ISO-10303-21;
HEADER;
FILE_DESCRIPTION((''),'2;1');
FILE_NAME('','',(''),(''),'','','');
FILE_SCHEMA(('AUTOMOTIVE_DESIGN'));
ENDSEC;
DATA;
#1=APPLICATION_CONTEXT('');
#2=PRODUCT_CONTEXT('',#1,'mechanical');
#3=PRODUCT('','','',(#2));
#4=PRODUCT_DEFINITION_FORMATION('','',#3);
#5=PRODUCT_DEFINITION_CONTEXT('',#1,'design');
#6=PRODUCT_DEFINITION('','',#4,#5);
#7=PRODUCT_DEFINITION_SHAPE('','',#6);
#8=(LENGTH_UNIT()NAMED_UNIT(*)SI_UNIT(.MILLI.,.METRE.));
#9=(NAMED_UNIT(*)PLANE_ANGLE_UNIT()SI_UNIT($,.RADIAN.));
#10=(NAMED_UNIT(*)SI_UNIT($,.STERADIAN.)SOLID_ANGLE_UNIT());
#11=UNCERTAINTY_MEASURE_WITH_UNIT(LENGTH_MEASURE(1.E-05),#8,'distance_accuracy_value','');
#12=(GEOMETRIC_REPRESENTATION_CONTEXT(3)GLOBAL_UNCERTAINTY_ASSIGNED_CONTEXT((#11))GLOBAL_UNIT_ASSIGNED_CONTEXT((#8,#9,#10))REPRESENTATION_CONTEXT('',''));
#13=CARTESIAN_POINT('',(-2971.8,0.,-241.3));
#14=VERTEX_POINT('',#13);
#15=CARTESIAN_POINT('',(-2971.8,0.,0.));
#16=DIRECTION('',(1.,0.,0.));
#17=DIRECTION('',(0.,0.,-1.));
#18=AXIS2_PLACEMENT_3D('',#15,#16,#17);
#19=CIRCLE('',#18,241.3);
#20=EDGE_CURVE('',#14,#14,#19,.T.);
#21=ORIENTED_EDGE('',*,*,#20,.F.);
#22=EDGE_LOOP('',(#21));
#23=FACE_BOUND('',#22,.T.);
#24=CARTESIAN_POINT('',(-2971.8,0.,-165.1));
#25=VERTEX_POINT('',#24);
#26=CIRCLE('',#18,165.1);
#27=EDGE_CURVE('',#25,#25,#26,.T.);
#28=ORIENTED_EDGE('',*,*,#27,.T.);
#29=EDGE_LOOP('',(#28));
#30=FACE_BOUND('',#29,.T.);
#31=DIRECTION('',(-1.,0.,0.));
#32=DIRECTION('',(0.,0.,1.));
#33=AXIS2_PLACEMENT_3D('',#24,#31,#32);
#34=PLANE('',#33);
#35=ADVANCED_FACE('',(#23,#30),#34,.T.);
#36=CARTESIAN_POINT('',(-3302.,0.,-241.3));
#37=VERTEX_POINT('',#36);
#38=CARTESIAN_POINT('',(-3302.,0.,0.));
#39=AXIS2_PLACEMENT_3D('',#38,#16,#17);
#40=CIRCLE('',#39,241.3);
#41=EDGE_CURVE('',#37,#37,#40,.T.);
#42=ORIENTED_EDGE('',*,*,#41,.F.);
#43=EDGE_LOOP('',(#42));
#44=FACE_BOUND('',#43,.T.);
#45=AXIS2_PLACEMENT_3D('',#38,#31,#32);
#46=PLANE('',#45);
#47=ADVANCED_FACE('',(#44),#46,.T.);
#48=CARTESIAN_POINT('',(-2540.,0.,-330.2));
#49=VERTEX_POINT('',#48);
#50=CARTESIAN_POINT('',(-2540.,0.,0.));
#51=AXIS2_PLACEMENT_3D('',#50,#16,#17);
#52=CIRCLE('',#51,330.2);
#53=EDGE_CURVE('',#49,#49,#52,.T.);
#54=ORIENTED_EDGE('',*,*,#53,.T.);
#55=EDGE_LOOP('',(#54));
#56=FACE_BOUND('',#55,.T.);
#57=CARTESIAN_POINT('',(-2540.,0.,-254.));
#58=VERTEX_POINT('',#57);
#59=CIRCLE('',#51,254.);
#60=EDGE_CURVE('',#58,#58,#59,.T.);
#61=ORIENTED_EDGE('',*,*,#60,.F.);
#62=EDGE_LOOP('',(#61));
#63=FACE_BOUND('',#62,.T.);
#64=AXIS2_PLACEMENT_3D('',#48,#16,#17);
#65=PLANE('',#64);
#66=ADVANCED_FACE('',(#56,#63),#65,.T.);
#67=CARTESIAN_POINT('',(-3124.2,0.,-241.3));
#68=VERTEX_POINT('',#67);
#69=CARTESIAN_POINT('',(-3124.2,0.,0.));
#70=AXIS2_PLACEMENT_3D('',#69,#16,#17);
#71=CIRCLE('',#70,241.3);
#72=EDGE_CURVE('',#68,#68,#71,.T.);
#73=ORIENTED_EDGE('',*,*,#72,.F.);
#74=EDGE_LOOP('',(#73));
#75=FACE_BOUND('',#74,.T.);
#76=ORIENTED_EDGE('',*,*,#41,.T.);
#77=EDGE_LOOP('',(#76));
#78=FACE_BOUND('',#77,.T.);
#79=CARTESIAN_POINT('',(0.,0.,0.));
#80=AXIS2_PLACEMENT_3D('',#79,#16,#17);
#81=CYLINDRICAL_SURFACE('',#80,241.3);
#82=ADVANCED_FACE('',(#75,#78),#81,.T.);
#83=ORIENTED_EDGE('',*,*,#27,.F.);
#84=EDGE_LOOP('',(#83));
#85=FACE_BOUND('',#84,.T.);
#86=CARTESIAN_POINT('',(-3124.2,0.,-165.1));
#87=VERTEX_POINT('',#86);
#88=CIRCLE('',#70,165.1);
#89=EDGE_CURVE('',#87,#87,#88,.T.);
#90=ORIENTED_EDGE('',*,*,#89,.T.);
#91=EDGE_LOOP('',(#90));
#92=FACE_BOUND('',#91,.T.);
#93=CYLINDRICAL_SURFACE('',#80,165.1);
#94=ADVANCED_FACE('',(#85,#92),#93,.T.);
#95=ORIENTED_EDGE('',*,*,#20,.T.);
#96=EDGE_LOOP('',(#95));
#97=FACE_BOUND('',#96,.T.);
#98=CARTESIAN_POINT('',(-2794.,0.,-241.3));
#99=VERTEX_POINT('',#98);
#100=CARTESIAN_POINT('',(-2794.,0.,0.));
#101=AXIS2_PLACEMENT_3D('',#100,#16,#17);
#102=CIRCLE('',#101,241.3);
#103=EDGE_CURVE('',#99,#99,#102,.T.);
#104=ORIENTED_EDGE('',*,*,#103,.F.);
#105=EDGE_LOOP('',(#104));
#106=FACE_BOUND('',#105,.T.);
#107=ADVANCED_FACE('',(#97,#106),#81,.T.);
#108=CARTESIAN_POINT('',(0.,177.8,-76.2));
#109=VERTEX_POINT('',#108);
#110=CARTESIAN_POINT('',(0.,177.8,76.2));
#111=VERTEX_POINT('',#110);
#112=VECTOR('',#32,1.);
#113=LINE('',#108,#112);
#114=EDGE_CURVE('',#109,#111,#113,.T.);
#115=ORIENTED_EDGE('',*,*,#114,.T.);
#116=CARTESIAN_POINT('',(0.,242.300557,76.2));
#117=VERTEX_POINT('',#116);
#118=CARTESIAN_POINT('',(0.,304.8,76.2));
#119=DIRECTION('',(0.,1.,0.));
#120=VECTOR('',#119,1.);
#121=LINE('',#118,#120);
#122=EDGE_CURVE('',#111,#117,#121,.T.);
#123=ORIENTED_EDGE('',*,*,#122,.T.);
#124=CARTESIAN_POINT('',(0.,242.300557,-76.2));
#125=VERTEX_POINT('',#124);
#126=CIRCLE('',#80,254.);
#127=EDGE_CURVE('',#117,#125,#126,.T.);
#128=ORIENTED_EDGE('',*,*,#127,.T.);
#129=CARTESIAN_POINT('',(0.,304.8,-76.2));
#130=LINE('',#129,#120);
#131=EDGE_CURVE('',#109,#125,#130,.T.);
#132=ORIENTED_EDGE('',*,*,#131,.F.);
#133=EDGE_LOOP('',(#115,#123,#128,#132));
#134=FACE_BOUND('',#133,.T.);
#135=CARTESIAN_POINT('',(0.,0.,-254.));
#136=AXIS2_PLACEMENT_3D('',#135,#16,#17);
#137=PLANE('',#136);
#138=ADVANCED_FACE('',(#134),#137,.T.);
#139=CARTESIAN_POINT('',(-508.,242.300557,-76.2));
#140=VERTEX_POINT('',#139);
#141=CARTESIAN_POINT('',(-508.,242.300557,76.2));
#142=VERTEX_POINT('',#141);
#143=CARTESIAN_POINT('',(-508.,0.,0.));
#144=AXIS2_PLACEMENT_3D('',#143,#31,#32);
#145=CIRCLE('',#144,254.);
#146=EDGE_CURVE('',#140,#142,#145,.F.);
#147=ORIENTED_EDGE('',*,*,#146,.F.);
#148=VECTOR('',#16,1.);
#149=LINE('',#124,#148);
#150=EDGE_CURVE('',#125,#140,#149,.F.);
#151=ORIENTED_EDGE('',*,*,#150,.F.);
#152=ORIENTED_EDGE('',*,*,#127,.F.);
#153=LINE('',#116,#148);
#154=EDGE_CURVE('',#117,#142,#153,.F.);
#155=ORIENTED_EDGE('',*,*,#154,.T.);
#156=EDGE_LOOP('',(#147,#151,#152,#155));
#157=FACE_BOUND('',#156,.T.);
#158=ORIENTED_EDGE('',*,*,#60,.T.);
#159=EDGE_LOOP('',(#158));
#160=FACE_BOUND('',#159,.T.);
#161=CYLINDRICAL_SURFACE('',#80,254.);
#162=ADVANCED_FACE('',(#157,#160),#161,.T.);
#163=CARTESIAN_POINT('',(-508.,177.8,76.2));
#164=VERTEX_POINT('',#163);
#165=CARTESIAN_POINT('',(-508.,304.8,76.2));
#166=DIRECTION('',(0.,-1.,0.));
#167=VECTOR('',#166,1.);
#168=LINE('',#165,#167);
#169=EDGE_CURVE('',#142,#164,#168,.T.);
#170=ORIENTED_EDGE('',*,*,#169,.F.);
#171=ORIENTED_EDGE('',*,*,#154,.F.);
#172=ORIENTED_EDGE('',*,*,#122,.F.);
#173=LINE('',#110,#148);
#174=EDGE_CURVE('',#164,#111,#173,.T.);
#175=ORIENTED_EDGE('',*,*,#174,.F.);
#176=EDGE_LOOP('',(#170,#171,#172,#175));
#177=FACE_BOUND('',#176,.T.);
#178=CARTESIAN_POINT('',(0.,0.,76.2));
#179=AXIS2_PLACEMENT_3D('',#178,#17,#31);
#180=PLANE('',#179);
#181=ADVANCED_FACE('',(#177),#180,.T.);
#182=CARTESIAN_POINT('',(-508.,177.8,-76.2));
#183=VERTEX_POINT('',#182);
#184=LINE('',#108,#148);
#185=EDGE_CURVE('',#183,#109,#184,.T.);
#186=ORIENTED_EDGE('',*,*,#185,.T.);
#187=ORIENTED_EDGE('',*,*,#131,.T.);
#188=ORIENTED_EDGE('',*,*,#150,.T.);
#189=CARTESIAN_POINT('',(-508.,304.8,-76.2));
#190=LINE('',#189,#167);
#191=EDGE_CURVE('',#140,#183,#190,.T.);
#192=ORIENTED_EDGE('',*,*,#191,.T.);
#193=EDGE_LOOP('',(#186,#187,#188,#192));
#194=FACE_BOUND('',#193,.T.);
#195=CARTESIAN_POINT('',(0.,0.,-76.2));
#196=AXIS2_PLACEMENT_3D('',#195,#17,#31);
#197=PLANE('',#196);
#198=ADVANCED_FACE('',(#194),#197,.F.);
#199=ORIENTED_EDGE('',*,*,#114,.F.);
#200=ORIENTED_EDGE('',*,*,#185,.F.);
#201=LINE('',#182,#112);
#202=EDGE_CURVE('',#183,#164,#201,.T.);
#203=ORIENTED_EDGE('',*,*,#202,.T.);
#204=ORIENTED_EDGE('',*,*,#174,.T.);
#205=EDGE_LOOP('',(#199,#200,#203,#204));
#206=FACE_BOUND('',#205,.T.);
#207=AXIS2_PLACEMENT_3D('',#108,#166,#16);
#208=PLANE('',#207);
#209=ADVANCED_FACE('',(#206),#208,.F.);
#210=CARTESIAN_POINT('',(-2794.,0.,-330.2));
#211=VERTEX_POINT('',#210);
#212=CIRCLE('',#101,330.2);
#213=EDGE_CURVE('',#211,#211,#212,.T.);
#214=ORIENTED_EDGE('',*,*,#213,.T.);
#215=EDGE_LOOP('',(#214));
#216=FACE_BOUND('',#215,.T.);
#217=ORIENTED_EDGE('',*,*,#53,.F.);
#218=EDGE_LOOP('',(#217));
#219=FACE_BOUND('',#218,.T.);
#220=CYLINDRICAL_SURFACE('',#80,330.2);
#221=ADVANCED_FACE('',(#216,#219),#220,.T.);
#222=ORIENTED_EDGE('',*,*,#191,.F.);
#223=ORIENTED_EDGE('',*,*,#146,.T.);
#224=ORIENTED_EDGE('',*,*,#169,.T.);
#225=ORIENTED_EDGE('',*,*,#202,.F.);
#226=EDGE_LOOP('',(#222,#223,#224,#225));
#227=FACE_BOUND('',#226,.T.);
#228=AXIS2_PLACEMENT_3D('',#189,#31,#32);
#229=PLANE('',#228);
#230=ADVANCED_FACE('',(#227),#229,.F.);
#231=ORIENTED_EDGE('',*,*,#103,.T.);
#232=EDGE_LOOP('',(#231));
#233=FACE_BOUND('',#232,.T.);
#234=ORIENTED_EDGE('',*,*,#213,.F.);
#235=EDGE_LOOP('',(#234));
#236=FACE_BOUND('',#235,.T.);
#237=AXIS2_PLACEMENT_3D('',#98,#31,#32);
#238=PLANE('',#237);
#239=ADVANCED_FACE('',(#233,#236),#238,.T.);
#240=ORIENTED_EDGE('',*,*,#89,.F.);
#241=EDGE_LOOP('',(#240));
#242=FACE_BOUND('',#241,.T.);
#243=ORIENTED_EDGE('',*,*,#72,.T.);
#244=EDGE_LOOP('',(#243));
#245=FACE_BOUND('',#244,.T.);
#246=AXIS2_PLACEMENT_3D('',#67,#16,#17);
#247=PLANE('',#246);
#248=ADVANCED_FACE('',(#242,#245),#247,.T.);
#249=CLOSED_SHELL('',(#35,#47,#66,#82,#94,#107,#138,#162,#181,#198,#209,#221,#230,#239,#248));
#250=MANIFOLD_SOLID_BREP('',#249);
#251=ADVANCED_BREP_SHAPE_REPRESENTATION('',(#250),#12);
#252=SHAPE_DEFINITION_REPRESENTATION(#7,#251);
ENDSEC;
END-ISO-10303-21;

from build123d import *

# Parameters (mm, degrees)
SKETCH4_W          = 508
SKETCH4_H          = 127
CUT_EXTRUDE1_DEPTH = 76.2


with BuildPart() as part:
    # Sketch1 → Revolve1 (revolve)
    with BuildSketch(Plane(origin=(0, 0, 0), x_dir=(1, 0, 0), z_dir=(0, 1, 0))):
        Polygon((0, 0), (-3302, 0), (-3302, 241.3), (-3124.2, 241.3), (-3124.2, 165.1), (-2971.8, 165.1), (-2971.8, 241.3), (-2794, 241.3), (-2794, 330.2), (-2540, 330.2), (-2540, 254), (0, 254), align=None)
    revolve(axis=Axis((0, 0, 0), (-1, 0, 0)))

    # Sketch4 → Cut-Extrude1 (cut, symmetric)
    with BuildSketch(Plane.XY):
        with Locations((-254, 241.3)):
            Rectangle(SKETCH4_W, SKETCH4_H)
    extrude(amount=CUT_EXTRUDE1_DEPTH, both=True, mode=Mode.SUBTRACT)


solid = part.part
